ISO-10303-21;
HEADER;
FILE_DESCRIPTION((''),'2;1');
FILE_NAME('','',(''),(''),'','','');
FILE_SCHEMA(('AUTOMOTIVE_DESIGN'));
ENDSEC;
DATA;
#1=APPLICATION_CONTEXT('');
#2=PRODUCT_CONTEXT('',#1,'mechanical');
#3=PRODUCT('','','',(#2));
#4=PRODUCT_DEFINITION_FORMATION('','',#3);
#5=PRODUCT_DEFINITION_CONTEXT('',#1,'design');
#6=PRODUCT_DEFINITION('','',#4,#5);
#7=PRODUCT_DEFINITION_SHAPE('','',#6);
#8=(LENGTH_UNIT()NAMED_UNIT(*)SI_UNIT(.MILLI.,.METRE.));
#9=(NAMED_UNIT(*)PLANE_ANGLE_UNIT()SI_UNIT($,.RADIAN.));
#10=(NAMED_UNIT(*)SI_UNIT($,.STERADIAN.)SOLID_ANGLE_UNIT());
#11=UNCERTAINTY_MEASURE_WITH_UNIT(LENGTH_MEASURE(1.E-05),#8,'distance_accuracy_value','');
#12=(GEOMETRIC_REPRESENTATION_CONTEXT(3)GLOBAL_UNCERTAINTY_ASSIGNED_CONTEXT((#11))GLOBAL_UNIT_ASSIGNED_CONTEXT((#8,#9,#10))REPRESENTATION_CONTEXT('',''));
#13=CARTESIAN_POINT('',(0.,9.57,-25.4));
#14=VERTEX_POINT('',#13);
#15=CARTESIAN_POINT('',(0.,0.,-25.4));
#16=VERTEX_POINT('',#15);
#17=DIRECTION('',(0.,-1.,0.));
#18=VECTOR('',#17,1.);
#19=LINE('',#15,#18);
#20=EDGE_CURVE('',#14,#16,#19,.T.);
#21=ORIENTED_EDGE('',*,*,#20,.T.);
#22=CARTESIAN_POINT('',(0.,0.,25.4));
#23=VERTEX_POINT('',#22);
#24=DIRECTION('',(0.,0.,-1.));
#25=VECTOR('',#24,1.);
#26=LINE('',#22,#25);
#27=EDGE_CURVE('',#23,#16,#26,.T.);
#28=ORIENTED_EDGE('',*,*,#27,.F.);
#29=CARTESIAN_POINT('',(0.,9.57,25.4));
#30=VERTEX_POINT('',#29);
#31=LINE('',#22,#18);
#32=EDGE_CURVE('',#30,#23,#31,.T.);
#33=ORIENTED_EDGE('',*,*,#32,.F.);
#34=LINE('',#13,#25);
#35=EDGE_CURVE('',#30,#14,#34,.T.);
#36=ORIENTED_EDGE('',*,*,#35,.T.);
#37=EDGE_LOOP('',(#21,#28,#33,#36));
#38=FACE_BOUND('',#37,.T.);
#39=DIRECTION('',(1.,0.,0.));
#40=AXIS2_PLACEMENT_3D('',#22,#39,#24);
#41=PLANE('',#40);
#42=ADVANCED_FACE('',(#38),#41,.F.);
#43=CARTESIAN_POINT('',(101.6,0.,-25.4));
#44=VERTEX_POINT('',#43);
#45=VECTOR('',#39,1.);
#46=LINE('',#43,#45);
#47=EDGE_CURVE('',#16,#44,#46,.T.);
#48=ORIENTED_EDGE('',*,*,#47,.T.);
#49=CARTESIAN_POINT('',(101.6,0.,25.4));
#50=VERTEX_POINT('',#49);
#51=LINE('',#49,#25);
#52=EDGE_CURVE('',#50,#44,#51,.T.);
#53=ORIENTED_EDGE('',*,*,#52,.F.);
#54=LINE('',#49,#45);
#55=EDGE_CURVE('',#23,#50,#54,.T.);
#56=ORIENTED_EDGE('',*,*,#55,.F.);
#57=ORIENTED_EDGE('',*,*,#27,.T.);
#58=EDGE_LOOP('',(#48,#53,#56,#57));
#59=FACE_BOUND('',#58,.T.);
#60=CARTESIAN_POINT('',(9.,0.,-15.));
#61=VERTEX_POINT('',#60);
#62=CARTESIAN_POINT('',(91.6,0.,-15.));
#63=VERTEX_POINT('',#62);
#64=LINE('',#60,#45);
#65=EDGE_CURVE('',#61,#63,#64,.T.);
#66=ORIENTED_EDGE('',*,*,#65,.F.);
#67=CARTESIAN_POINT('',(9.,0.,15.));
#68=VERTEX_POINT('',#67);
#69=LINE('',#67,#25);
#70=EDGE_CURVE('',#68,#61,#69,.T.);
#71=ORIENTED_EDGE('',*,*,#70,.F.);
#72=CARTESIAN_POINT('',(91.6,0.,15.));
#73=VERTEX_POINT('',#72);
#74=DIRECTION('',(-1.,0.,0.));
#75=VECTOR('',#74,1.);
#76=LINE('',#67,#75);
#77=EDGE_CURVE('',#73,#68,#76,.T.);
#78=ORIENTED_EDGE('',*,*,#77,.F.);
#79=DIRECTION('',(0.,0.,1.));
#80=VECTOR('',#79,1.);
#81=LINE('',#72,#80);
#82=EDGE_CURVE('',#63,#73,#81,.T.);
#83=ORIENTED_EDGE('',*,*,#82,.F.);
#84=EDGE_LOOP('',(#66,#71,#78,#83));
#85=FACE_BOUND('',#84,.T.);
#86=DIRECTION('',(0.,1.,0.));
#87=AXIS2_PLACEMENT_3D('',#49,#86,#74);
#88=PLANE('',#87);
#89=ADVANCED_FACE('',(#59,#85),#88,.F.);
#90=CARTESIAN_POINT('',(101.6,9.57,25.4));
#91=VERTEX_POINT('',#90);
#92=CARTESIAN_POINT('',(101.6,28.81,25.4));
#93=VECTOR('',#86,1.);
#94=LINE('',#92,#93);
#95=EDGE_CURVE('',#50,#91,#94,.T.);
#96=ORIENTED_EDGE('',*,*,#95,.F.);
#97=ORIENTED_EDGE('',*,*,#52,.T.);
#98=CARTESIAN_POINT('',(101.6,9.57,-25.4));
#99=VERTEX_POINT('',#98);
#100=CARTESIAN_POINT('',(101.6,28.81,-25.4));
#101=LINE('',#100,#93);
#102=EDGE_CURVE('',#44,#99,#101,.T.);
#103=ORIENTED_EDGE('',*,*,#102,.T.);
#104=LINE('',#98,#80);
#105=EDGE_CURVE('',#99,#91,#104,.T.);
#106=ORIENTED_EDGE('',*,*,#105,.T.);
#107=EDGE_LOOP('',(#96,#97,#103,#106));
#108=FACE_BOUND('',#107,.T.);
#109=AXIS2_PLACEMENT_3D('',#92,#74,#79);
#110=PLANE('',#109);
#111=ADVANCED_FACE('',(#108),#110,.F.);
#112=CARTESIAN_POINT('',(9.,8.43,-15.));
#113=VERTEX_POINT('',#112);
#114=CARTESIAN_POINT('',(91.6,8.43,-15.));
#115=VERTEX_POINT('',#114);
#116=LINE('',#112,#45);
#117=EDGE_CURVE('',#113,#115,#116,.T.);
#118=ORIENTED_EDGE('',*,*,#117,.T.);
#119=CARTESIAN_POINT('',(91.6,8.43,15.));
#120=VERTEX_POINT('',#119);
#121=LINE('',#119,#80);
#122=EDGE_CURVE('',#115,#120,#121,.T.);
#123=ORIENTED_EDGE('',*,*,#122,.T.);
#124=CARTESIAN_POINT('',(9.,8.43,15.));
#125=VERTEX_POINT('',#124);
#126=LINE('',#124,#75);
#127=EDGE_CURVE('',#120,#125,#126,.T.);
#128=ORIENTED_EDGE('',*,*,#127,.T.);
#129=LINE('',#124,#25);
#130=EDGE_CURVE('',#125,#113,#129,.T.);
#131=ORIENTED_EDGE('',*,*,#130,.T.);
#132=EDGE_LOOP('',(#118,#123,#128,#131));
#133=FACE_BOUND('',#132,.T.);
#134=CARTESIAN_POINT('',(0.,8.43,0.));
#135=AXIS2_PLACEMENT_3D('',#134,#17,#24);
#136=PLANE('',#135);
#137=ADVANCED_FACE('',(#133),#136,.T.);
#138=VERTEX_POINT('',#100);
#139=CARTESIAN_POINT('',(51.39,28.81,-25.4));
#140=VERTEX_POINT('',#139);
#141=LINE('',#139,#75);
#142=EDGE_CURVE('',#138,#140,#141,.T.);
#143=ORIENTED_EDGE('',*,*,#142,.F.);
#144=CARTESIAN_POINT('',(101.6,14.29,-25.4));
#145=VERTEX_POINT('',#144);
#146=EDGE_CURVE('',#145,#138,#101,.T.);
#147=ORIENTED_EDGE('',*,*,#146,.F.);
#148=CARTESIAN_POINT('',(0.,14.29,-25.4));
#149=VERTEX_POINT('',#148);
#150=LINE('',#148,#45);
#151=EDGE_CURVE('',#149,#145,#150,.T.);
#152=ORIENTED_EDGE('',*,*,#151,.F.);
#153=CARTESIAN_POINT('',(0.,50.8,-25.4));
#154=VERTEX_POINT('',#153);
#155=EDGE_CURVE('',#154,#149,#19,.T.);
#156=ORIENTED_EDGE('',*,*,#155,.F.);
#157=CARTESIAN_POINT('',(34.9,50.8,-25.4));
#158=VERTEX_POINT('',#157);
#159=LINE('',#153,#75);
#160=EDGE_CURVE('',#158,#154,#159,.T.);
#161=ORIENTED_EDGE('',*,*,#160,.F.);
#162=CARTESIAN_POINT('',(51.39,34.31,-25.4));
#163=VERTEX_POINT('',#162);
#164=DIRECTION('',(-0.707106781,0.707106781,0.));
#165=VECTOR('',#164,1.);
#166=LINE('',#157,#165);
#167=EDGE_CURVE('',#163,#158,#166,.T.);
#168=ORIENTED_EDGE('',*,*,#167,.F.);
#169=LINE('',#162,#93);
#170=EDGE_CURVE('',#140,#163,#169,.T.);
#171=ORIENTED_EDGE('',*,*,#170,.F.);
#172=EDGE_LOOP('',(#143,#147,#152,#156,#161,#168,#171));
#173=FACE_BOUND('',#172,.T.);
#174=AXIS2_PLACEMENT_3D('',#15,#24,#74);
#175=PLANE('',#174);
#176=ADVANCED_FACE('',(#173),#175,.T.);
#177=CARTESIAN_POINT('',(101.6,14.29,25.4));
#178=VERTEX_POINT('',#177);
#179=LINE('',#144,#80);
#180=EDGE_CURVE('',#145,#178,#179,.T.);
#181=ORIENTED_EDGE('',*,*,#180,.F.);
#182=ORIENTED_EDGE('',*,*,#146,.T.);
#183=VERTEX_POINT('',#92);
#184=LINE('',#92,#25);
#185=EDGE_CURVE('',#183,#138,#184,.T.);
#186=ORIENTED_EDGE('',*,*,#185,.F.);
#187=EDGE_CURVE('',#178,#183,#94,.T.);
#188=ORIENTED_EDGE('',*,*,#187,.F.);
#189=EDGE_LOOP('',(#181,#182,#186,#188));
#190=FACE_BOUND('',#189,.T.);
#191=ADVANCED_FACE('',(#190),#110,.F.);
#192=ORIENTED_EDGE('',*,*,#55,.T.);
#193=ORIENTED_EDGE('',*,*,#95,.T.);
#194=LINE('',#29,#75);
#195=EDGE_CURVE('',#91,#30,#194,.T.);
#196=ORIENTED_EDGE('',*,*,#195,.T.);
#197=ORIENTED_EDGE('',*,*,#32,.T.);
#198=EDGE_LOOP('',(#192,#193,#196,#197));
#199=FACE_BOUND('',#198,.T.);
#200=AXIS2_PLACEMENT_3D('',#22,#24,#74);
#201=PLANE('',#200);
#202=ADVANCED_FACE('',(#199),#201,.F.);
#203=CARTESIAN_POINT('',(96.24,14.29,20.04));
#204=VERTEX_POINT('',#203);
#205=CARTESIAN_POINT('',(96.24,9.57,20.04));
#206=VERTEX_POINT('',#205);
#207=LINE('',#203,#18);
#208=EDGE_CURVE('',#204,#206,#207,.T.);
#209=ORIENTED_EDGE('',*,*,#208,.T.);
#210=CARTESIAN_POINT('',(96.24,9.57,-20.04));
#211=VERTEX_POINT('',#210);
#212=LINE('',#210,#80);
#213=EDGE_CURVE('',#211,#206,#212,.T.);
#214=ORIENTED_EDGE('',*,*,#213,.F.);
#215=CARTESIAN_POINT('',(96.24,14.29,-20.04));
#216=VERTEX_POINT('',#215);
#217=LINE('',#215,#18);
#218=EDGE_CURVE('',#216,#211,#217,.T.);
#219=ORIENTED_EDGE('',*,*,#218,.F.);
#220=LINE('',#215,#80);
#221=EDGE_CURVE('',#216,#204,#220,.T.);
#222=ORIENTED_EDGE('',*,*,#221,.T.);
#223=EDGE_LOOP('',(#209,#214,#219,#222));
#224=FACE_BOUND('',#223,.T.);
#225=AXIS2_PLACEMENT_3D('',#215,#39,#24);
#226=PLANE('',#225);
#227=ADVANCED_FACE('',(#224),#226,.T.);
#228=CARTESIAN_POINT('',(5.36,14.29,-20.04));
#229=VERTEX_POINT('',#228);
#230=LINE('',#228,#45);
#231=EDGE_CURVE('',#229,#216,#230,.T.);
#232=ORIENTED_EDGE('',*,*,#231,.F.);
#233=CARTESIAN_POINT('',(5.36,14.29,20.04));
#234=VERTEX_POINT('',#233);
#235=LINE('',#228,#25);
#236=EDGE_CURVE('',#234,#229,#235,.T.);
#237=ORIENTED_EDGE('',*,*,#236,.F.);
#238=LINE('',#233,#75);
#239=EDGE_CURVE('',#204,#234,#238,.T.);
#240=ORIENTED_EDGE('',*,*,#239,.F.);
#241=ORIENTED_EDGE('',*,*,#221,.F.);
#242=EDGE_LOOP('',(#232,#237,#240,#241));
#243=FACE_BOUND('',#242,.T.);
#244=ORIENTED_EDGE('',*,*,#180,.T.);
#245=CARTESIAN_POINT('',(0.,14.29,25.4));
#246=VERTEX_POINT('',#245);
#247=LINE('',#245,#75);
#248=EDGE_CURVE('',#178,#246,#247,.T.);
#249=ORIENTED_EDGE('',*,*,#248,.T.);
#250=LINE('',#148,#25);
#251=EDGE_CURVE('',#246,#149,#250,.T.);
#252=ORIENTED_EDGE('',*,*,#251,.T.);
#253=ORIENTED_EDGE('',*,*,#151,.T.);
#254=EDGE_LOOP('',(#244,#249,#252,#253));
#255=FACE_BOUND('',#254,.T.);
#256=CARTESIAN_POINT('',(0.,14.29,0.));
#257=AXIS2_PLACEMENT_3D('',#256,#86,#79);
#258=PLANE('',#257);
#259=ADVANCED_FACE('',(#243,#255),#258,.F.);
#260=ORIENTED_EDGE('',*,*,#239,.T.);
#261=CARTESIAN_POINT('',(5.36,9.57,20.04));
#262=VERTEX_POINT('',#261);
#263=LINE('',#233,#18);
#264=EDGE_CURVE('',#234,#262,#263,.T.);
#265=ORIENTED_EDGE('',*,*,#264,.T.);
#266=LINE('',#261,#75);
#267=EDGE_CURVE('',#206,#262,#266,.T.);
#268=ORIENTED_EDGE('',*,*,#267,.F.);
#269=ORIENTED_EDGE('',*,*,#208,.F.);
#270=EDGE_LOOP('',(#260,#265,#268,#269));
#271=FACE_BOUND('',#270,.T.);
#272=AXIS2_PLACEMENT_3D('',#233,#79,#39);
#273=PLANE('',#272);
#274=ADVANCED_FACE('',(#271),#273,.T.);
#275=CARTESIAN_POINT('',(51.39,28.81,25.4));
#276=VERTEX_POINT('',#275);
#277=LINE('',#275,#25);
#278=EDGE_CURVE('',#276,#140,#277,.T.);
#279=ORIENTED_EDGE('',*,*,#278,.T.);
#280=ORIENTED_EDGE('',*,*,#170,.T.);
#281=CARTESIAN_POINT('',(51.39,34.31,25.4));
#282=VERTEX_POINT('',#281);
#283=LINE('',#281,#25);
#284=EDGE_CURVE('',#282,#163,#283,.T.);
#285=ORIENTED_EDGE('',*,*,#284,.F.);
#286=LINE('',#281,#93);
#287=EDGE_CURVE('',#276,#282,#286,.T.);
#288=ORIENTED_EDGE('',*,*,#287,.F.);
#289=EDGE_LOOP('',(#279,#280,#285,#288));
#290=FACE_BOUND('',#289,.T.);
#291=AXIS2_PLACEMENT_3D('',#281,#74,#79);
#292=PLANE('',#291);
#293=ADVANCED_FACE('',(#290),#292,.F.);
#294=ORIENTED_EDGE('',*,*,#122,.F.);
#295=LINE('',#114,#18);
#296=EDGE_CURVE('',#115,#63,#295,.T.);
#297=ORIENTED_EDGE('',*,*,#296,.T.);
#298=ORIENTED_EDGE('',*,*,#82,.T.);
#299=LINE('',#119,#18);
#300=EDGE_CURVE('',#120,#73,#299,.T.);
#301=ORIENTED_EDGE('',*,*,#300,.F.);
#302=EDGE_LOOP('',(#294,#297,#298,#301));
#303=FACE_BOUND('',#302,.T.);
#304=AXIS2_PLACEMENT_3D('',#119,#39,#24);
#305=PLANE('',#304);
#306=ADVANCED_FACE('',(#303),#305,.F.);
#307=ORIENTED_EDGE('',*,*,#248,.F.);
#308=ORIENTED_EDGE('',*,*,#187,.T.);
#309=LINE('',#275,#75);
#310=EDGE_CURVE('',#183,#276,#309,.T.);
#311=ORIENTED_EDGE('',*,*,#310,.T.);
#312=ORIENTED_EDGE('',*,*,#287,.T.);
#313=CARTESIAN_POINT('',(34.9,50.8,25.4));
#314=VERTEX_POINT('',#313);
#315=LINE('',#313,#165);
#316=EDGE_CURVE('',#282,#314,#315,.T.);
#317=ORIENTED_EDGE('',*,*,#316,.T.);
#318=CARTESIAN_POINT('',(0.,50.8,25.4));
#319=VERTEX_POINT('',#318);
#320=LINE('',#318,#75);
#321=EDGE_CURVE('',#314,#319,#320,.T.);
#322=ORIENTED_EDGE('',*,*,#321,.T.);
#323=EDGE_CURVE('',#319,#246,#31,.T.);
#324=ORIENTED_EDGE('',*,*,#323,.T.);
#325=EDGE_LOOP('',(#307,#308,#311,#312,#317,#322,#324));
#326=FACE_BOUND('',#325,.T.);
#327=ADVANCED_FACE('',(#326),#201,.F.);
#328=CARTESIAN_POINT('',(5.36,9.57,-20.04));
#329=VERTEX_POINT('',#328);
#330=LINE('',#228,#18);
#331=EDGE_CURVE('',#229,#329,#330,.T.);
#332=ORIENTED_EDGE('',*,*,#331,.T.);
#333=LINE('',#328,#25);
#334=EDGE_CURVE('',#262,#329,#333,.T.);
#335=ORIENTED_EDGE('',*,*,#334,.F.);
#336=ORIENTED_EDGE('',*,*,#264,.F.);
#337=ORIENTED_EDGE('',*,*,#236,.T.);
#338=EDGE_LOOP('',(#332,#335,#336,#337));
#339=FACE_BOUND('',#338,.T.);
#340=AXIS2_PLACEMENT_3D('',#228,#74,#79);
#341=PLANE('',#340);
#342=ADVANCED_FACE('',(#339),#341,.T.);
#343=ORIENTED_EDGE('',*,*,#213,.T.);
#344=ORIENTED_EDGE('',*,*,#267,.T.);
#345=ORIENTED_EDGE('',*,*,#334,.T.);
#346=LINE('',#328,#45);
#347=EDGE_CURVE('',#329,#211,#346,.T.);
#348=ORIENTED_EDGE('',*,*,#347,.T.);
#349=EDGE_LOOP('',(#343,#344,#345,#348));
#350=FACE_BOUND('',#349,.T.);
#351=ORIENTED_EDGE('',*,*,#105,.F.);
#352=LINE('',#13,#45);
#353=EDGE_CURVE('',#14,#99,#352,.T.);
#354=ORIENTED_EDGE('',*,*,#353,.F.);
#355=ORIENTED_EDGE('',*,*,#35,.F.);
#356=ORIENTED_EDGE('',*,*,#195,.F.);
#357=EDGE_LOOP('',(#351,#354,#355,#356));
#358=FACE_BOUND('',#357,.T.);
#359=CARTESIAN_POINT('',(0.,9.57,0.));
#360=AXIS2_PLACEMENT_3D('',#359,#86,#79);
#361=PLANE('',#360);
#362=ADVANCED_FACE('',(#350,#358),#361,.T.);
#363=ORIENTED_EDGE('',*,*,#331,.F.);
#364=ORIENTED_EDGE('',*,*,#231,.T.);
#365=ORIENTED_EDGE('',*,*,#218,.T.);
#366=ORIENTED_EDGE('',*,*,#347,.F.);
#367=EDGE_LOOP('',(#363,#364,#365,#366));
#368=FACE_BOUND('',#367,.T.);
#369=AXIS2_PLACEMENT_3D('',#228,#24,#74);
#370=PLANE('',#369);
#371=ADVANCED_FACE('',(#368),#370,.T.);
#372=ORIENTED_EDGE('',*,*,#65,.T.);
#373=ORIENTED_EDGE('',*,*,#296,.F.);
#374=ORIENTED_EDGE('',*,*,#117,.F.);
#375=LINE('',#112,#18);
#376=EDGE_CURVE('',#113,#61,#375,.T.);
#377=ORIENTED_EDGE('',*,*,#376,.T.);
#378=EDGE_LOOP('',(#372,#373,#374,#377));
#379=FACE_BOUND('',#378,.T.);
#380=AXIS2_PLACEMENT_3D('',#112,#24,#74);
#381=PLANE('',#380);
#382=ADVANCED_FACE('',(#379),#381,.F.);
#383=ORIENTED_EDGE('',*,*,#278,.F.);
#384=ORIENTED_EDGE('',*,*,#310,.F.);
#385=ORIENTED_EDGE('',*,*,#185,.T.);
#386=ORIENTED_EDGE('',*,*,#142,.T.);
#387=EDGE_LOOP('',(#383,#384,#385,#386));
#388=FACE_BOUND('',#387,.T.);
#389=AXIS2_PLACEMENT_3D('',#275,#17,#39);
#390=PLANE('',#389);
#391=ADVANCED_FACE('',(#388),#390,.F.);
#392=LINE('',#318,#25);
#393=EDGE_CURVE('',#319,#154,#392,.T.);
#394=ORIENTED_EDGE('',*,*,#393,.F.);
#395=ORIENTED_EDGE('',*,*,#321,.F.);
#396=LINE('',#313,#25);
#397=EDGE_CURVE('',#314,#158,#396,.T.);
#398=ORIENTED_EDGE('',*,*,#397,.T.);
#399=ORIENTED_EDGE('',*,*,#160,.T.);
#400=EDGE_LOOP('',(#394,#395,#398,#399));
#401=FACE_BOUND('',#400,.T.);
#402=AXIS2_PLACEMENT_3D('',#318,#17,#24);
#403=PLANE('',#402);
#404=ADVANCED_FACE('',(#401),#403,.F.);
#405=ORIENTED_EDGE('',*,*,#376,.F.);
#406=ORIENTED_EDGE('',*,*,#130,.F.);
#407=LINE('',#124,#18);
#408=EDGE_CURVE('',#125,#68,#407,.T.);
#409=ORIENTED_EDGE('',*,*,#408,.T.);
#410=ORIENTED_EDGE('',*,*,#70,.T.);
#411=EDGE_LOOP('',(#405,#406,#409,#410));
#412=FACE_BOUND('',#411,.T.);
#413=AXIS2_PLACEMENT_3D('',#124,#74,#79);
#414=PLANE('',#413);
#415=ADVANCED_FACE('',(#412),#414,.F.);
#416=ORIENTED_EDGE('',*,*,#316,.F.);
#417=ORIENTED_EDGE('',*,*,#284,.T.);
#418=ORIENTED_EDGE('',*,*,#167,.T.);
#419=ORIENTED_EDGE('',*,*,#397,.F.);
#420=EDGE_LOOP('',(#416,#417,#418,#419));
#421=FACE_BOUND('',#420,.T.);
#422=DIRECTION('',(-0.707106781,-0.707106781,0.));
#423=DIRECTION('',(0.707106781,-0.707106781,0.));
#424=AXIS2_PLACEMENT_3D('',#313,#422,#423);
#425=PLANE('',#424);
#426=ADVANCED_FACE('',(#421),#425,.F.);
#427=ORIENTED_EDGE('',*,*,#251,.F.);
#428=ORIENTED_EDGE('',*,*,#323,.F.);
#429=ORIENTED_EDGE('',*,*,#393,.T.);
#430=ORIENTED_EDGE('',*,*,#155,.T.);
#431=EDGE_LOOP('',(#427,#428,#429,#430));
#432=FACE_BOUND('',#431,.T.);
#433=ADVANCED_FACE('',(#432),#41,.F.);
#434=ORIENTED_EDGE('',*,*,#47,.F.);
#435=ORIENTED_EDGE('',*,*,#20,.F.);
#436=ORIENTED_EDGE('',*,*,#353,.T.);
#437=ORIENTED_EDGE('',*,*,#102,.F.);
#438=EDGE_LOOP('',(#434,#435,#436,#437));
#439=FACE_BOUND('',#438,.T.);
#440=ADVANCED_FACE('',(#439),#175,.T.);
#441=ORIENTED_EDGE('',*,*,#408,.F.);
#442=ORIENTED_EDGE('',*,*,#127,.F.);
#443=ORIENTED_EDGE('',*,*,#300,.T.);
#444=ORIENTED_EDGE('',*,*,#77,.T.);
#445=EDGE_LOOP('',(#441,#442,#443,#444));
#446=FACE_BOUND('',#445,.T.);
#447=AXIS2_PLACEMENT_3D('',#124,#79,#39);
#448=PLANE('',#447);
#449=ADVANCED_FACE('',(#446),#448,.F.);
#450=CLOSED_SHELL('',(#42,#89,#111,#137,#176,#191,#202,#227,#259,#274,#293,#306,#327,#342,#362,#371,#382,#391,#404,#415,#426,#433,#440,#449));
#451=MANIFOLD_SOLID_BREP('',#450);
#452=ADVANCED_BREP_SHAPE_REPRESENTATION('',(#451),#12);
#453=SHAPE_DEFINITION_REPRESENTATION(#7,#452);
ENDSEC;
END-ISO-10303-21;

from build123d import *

# Parameters (mm, degrees)
BOSS_EXTRUDE1_DEPTH = 25.4
SKETCH2_W           = 101.6
SKETCH2_H           = 50.8
SKETCH2_W_2         = 90.88
SKETCH2_H_2         = 40.08
CUT_EXTRUDE1_DEPTH  = 4.72
SKETCH3_W           = 82.6
SKETCH3_H           = 30
CUT_EXTRUDE2_DEPTH  = 8.43


with BuildPart() as part:
    # Sketch1 → Boss-Extrude1 (new, symmetric)
    with BuildSketch(Plane.XY):
        Polygon((0, 0), (0, 50.8), (34.9, 50.8), (51.39, 34.31), (51.39, 28.81), (101.6, 28.81), (101.6, 0), align=None)
    extrude(amount=BOSS_EXTRUDE1_DEPTH, both=True)

    # Sketch2 → Cut-Extrude1 (cut)
    with BuildSketch(Plane(origin=(0, 9.57, 0), x_dir=(-1, 0, 0), z_dir=(0, -1, 0))):
        with Locations((-50.8, 0)):
            Rectangle(SKETCH2_W, SKETCH2_H)
        with Locations((-50.8, 0)):
            Rectangle(SKETCH2_W_2, SKETCH2_H_2, mode=Mode.SUBTRACT)
    extrude(amount=-CUT_EXTRUDE1_DEPTH, mode=Mode.SUBTRACT)

    # Sketch3 → Cut-Extrude2 (cut)
    with BuildSketch(Plane.XZ):
        with Locations((50.3, 0)):
            Rectangle(SKETCH3_W, SKETCH3_H)
    extrude(amount=-CUT_EXTRUDE2_DEPTH, mode=Mode.SUBTRACT)


solid = part.part
